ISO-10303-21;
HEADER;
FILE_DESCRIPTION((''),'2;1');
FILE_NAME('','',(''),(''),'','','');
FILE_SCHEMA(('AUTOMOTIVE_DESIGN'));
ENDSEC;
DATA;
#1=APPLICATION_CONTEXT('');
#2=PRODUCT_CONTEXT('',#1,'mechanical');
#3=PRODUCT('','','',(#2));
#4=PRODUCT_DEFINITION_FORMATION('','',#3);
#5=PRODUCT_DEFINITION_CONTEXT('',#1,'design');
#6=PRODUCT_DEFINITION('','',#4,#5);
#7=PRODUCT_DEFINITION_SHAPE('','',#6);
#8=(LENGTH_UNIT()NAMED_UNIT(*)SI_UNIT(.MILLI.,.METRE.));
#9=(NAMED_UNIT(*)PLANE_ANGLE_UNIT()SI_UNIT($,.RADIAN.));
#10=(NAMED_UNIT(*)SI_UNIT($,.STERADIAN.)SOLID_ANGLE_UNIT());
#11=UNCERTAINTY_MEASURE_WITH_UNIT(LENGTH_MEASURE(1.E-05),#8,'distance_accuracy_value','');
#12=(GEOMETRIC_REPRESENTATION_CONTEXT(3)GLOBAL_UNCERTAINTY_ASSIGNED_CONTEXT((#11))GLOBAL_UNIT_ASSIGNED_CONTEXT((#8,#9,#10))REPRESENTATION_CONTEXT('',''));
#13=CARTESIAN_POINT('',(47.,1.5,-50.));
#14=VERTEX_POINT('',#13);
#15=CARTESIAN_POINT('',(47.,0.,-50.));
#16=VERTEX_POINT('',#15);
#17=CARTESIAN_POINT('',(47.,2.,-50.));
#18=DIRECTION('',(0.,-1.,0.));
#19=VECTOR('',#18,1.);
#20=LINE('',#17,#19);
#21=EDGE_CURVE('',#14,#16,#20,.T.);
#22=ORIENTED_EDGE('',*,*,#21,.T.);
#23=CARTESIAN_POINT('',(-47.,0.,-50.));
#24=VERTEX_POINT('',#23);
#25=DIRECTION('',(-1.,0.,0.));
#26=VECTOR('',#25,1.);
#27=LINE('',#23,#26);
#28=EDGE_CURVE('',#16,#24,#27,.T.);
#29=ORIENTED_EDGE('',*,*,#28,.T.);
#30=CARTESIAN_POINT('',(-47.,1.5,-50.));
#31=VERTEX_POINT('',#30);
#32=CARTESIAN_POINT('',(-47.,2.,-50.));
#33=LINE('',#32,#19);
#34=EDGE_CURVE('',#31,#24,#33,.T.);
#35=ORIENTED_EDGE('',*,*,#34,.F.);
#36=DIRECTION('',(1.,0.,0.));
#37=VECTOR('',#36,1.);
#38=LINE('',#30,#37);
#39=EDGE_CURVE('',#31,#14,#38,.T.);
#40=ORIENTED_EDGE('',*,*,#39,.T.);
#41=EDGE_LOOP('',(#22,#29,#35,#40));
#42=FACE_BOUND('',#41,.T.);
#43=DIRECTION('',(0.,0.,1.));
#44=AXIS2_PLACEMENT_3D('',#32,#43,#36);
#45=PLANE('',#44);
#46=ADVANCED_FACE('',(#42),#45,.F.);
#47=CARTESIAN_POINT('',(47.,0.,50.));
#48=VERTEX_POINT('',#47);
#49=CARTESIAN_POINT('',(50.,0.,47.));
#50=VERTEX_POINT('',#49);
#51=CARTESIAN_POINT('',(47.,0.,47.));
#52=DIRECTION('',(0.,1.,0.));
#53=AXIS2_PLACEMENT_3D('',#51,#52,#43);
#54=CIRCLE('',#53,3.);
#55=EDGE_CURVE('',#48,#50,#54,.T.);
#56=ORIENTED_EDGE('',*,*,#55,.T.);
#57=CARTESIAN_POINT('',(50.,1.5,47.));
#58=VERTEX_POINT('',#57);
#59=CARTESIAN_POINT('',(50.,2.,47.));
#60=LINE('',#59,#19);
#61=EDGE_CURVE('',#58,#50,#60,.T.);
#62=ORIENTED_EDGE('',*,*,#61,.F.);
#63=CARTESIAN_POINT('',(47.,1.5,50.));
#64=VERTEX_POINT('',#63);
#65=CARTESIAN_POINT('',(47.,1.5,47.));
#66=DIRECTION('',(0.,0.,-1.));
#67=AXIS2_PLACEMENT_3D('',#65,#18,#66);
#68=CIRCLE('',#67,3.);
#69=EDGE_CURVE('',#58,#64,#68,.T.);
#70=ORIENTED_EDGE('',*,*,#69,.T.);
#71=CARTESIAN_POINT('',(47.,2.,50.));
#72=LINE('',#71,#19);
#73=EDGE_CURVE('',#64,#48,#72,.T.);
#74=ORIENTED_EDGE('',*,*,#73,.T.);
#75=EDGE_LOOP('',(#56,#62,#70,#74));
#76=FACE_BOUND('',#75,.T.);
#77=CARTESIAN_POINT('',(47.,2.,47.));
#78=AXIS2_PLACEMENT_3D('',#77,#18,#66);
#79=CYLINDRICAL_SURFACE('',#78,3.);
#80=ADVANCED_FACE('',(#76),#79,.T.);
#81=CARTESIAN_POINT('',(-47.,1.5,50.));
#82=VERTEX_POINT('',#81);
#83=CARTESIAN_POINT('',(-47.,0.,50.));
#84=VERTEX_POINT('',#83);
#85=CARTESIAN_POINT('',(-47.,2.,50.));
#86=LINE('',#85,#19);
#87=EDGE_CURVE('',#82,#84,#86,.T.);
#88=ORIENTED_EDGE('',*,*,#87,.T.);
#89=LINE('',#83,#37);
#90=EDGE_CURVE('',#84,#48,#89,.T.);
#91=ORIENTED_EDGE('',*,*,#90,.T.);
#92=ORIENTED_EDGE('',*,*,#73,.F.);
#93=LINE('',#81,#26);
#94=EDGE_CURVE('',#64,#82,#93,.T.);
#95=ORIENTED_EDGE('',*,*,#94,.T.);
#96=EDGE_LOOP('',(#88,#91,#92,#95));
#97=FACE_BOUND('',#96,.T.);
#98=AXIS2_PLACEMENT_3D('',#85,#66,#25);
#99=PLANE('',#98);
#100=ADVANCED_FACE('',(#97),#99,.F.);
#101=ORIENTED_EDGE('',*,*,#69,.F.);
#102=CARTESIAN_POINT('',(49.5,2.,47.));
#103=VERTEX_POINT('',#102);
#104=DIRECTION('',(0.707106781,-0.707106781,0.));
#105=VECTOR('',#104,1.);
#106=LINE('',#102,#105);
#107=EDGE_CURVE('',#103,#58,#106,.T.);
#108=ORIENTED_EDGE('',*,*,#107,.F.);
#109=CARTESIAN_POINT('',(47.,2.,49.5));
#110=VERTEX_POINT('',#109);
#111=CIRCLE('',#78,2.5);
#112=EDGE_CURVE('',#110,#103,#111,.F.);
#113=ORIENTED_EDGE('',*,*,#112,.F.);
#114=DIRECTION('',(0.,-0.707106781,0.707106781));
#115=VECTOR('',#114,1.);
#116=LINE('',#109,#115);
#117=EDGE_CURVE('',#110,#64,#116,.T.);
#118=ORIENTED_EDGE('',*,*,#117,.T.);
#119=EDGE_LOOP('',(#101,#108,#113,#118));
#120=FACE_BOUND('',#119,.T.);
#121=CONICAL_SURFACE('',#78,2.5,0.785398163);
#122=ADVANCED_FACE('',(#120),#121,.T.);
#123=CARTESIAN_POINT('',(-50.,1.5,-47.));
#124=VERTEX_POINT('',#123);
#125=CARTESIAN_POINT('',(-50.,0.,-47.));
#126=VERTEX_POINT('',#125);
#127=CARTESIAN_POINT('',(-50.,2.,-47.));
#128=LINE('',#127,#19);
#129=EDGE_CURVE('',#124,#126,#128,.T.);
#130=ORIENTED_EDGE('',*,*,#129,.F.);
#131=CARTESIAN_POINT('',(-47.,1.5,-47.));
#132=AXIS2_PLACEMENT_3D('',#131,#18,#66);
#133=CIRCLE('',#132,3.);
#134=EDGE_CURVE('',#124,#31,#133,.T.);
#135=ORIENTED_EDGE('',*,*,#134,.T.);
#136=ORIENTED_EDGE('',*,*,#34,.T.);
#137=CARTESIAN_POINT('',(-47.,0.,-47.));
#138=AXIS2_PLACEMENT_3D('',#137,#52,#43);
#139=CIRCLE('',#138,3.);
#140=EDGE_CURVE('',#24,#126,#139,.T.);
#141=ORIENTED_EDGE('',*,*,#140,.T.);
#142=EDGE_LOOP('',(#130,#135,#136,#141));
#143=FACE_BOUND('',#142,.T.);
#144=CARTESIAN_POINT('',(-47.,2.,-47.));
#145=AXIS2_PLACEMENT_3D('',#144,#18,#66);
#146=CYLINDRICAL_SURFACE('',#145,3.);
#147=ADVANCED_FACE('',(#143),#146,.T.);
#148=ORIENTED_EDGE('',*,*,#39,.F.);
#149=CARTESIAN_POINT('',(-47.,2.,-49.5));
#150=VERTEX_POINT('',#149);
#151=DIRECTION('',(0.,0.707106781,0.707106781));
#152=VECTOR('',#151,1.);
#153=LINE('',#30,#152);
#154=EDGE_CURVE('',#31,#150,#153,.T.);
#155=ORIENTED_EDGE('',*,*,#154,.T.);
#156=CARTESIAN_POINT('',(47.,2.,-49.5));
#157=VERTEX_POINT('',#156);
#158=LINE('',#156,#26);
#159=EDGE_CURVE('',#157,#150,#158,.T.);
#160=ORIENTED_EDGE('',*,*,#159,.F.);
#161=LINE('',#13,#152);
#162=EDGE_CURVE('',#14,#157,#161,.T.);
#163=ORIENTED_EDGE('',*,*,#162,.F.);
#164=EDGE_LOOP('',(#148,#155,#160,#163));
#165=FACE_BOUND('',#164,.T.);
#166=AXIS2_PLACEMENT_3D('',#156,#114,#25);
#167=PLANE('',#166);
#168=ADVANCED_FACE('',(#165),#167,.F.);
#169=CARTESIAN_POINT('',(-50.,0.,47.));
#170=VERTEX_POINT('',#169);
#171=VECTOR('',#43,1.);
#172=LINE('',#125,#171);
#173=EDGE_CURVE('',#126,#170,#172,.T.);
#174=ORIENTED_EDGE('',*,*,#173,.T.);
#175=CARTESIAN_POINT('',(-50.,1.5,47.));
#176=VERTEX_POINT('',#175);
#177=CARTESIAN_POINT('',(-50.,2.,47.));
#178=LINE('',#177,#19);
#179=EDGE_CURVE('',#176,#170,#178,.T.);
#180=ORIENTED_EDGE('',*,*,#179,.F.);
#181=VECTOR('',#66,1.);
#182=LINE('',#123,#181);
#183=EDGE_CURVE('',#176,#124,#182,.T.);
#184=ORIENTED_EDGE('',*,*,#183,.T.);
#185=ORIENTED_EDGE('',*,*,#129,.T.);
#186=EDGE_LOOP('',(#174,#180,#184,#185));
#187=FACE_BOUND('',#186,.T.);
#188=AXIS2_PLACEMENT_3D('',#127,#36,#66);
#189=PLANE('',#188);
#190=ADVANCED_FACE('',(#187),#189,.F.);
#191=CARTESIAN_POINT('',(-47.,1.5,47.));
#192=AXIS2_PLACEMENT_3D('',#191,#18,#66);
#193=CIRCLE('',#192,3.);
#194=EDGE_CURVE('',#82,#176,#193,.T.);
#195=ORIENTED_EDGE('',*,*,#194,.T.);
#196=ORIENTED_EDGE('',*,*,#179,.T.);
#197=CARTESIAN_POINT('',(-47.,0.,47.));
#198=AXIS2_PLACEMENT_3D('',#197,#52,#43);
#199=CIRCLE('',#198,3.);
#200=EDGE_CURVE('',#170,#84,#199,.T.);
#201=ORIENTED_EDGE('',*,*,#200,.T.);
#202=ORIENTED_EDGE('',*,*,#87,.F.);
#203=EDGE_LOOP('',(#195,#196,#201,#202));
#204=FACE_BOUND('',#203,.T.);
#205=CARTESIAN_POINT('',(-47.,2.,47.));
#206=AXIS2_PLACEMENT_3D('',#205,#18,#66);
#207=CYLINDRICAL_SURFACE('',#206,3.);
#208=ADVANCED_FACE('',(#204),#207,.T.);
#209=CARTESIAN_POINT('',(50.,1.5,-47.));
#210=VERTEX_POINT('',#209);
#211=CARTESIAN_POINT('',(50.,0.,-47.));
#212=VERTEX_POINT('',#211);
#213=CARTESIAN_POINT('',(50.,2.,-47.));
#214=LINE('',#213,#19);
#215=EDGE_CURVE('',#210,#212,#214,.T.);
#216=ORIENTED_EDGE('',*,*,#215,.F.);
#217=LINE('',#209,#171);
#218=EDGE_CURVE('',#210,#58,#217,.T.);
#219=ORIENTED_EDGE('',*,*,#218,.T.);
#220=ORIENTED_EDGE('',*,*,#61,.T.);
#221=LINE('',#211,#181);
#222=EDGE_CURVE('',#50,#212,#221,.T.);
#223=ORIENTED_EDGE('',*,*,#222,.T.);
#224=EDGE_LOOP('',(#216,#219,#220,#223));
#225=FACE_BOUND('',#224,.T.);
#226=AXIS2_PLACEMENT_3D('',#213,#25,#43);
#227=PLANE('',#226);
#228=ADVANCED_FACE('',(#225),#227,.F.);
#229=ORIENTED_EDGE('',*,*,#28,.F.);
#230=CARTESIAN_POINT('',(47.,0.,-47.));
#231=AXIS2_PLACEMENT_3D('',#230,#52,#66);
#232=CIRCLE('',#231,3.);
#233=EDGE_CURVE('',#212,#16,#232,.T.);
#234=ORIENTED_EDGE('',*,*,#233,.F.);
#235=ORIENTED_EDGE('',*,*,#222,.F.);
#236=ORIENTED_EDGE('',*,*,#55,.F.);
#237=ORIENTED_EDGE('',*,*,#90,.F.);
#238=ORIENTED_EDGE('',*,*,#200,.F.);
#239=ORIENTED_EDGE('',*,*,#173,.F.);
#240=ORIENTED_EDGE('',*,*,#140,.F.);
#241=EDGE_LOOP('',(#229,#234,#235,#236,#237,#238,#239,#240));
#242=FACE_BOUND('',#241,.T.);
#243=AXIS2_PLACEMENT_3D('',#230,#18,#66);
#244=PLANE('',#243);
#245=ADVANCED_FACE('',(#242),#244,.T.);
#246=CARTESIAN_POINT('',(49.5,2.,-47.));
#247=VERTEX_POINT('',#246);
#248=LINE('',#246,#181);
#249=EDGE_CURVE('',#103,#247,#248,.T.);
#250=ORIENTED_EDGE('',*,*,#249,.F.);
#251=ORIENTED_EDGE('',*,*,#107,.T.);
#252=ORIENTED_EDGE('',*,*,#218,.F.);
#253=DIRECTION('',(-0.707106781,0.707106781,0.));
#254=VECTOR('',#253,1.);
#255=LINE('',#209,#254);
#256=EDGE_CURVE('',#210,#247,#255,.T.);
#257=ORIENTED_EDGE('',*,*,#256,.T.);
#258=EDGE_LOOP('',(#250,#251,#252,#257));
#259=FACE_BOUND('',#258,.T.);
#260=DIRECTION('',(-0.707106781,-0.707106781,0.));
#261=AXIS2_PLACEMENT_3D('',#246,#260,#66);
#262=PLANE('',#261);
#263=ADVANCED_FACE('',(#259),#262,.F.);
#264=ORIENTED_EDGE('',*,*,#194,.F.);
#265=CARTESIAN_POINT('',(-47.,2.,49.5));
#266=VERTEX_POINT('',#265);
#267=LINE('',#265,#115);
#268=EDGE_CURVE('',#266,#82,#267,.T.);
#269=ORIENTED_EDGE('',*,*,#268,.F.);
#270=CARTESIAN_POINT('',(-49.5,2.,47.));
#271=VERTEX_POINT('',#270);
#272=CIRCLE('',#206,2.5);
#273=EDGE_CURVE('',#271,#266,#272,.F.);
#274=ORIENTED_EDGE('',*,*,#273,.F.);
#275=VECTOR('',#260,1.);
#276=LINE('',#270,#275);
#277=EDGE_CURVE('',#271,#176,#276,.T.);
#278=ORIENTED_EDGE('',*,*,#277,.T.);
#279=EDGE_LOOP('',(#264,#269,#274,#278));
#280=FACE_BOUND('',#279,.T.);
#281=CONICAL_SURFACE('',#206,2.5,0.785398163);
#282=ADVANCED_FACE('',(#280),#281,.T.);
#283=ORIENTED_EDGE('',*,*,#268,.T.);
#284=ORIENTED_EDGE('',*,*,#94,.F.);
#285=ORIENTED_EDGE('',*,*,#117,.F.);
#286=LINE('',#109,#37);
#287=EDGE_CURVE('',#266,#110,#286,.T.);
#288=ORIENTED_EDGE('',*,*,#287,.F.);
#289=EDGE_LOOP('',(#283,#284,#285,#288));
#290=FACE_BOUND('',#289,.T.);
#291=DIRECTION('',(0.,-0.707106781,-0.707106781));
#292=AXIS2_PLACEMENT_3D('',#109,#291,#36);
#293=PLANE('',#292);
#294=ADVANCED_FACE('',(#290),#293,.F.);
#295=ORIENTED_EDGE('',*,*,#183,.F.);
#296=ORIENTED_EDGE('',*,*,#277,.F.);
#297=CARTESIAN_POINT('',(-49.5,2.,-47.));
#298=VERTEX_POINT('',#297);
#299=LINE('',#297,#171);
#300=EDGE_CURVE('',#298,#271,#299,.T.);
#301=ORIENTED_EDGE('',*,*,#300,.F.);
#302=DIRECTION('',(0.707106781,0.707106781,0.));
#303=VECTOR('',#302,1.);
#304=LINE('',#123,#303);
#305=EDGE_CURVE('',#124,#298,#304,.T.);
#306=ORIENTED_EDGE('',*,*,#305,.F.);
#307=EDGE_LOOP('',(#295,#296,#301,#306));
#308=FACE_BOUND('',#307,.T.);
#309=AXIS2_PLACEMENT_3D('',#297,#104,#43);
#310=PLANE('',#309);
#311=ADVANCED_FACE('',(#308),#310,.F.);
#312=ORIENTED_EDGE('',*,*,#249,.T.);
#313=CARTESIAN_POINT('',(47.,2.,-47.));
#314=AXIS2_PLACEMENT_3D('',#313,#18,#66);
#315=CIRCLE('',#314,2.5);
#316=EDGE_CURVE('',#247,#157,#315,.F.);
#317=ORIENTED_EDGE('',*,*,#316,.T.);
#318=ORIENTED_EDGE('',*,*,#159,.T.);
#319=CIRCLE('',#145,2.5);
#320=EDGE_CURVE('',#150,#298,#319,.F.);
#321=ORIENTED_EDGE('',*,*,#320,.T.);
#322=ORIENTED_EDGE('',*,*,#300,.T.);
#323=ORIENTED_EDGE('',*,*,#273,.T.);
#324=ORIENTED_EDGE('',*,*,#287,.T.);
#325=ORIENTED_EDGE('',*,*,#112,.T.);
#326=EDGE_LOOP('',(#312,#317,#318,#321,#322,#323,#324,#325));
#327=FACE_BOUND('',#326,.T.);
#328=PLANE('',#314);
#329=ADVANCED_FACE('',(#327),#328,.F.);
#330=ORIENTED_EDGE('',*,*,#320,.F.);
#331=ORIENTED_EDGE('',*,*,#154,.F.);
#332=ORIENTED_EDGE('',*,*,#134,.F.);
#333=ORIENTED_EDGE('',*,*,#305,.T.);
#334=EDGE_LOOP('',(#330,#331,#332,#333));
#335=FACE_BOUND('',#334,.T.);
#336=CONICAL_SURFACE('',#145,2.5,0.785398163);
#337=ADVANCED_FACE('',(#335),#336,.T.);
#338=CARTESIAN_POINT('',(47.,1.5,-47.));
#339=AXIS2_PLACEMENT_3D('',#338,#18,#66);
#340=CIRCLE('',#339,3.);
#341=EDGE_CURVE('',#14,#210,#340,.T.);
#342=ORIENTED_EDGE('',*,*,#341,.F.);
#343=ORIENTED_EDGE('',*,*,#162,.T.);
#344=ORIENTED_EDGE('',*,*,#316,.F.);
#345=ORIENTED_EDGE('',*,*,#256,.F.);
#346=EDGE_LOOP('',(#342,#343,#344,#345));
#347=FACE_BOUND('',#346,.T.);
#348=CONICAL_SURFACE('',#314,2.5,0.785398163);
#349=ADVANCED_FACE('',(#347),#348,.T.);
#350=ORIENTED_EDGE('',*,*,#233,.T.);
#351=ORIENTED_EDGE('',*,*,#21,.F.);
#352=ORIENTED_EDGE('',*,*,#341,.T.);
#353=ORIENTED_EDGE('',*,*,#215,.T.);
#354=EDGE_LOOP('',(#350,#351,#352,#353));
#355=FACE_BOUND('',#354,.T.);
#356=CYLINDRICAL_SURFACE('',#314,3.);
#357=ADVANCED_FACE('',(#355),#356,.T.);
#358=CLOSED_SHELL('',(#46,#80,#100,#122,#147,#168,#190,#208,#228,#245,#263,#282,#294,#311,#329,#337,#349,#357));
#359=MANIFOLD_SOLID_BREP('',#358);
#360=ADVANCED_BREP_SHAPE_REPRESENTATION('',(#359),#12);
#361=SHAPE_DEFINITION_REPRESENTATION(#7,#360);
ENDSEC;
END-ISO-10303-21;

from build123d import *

# Parameters (mm, degrees)
EXTRUDE_1_DEPTH = 2
CHAMFER_1_SIZE  = 0.5


with BuildPart() as part:
    # 草图1 → 凸台-拉伸1 (new body)
    with BuildSketch(Plane(origin=(0, 0, 0), x_dir=(1, 0, 0), z_dir=(0, 1, 0))):
        with BuildLine():
            Line((-47, 50), (47, 50))
            ThreePointArc((47, 50), (49.121320344, 49.121320344), (50, 47))
            Line((50, 47), (50, -47))
            ThreePointArc((50, -47), (49.121320344, -49.121320344), (47, -50))
            Line((47, -50), (-47, -50))
            ThreePointArc((-47, -50), (-49.121320344, -49.121320344), (-50, -47))
            Line((-50, -47), (-50, 47))
            ThreePointArc((-50, 47), (-49.121320344, 49.121320344), (-47, 50))
        make_face()
    extrude(amount=EXTRUDE_1_DEPTH)

    # 倒角1
    chamfer_1_edges = [part.edges().sort_by_distance(p)[0] for p in [
        (-49.121320344, 2, -49.121320344),
        (-50, 2, 0),
        (-49.121320344, 2, 49.121320344),
        (0, 2, 50),
        (49.121320344, 2, 49.121320344),
        (50, 2, 0),
        (49.121320344, 2, -49.121320344),
        (0, 2, -50),
    ]]
    chamfer(chamfer_1_edges, length=CHAMFER_1_SIZE)


solid = part.part
